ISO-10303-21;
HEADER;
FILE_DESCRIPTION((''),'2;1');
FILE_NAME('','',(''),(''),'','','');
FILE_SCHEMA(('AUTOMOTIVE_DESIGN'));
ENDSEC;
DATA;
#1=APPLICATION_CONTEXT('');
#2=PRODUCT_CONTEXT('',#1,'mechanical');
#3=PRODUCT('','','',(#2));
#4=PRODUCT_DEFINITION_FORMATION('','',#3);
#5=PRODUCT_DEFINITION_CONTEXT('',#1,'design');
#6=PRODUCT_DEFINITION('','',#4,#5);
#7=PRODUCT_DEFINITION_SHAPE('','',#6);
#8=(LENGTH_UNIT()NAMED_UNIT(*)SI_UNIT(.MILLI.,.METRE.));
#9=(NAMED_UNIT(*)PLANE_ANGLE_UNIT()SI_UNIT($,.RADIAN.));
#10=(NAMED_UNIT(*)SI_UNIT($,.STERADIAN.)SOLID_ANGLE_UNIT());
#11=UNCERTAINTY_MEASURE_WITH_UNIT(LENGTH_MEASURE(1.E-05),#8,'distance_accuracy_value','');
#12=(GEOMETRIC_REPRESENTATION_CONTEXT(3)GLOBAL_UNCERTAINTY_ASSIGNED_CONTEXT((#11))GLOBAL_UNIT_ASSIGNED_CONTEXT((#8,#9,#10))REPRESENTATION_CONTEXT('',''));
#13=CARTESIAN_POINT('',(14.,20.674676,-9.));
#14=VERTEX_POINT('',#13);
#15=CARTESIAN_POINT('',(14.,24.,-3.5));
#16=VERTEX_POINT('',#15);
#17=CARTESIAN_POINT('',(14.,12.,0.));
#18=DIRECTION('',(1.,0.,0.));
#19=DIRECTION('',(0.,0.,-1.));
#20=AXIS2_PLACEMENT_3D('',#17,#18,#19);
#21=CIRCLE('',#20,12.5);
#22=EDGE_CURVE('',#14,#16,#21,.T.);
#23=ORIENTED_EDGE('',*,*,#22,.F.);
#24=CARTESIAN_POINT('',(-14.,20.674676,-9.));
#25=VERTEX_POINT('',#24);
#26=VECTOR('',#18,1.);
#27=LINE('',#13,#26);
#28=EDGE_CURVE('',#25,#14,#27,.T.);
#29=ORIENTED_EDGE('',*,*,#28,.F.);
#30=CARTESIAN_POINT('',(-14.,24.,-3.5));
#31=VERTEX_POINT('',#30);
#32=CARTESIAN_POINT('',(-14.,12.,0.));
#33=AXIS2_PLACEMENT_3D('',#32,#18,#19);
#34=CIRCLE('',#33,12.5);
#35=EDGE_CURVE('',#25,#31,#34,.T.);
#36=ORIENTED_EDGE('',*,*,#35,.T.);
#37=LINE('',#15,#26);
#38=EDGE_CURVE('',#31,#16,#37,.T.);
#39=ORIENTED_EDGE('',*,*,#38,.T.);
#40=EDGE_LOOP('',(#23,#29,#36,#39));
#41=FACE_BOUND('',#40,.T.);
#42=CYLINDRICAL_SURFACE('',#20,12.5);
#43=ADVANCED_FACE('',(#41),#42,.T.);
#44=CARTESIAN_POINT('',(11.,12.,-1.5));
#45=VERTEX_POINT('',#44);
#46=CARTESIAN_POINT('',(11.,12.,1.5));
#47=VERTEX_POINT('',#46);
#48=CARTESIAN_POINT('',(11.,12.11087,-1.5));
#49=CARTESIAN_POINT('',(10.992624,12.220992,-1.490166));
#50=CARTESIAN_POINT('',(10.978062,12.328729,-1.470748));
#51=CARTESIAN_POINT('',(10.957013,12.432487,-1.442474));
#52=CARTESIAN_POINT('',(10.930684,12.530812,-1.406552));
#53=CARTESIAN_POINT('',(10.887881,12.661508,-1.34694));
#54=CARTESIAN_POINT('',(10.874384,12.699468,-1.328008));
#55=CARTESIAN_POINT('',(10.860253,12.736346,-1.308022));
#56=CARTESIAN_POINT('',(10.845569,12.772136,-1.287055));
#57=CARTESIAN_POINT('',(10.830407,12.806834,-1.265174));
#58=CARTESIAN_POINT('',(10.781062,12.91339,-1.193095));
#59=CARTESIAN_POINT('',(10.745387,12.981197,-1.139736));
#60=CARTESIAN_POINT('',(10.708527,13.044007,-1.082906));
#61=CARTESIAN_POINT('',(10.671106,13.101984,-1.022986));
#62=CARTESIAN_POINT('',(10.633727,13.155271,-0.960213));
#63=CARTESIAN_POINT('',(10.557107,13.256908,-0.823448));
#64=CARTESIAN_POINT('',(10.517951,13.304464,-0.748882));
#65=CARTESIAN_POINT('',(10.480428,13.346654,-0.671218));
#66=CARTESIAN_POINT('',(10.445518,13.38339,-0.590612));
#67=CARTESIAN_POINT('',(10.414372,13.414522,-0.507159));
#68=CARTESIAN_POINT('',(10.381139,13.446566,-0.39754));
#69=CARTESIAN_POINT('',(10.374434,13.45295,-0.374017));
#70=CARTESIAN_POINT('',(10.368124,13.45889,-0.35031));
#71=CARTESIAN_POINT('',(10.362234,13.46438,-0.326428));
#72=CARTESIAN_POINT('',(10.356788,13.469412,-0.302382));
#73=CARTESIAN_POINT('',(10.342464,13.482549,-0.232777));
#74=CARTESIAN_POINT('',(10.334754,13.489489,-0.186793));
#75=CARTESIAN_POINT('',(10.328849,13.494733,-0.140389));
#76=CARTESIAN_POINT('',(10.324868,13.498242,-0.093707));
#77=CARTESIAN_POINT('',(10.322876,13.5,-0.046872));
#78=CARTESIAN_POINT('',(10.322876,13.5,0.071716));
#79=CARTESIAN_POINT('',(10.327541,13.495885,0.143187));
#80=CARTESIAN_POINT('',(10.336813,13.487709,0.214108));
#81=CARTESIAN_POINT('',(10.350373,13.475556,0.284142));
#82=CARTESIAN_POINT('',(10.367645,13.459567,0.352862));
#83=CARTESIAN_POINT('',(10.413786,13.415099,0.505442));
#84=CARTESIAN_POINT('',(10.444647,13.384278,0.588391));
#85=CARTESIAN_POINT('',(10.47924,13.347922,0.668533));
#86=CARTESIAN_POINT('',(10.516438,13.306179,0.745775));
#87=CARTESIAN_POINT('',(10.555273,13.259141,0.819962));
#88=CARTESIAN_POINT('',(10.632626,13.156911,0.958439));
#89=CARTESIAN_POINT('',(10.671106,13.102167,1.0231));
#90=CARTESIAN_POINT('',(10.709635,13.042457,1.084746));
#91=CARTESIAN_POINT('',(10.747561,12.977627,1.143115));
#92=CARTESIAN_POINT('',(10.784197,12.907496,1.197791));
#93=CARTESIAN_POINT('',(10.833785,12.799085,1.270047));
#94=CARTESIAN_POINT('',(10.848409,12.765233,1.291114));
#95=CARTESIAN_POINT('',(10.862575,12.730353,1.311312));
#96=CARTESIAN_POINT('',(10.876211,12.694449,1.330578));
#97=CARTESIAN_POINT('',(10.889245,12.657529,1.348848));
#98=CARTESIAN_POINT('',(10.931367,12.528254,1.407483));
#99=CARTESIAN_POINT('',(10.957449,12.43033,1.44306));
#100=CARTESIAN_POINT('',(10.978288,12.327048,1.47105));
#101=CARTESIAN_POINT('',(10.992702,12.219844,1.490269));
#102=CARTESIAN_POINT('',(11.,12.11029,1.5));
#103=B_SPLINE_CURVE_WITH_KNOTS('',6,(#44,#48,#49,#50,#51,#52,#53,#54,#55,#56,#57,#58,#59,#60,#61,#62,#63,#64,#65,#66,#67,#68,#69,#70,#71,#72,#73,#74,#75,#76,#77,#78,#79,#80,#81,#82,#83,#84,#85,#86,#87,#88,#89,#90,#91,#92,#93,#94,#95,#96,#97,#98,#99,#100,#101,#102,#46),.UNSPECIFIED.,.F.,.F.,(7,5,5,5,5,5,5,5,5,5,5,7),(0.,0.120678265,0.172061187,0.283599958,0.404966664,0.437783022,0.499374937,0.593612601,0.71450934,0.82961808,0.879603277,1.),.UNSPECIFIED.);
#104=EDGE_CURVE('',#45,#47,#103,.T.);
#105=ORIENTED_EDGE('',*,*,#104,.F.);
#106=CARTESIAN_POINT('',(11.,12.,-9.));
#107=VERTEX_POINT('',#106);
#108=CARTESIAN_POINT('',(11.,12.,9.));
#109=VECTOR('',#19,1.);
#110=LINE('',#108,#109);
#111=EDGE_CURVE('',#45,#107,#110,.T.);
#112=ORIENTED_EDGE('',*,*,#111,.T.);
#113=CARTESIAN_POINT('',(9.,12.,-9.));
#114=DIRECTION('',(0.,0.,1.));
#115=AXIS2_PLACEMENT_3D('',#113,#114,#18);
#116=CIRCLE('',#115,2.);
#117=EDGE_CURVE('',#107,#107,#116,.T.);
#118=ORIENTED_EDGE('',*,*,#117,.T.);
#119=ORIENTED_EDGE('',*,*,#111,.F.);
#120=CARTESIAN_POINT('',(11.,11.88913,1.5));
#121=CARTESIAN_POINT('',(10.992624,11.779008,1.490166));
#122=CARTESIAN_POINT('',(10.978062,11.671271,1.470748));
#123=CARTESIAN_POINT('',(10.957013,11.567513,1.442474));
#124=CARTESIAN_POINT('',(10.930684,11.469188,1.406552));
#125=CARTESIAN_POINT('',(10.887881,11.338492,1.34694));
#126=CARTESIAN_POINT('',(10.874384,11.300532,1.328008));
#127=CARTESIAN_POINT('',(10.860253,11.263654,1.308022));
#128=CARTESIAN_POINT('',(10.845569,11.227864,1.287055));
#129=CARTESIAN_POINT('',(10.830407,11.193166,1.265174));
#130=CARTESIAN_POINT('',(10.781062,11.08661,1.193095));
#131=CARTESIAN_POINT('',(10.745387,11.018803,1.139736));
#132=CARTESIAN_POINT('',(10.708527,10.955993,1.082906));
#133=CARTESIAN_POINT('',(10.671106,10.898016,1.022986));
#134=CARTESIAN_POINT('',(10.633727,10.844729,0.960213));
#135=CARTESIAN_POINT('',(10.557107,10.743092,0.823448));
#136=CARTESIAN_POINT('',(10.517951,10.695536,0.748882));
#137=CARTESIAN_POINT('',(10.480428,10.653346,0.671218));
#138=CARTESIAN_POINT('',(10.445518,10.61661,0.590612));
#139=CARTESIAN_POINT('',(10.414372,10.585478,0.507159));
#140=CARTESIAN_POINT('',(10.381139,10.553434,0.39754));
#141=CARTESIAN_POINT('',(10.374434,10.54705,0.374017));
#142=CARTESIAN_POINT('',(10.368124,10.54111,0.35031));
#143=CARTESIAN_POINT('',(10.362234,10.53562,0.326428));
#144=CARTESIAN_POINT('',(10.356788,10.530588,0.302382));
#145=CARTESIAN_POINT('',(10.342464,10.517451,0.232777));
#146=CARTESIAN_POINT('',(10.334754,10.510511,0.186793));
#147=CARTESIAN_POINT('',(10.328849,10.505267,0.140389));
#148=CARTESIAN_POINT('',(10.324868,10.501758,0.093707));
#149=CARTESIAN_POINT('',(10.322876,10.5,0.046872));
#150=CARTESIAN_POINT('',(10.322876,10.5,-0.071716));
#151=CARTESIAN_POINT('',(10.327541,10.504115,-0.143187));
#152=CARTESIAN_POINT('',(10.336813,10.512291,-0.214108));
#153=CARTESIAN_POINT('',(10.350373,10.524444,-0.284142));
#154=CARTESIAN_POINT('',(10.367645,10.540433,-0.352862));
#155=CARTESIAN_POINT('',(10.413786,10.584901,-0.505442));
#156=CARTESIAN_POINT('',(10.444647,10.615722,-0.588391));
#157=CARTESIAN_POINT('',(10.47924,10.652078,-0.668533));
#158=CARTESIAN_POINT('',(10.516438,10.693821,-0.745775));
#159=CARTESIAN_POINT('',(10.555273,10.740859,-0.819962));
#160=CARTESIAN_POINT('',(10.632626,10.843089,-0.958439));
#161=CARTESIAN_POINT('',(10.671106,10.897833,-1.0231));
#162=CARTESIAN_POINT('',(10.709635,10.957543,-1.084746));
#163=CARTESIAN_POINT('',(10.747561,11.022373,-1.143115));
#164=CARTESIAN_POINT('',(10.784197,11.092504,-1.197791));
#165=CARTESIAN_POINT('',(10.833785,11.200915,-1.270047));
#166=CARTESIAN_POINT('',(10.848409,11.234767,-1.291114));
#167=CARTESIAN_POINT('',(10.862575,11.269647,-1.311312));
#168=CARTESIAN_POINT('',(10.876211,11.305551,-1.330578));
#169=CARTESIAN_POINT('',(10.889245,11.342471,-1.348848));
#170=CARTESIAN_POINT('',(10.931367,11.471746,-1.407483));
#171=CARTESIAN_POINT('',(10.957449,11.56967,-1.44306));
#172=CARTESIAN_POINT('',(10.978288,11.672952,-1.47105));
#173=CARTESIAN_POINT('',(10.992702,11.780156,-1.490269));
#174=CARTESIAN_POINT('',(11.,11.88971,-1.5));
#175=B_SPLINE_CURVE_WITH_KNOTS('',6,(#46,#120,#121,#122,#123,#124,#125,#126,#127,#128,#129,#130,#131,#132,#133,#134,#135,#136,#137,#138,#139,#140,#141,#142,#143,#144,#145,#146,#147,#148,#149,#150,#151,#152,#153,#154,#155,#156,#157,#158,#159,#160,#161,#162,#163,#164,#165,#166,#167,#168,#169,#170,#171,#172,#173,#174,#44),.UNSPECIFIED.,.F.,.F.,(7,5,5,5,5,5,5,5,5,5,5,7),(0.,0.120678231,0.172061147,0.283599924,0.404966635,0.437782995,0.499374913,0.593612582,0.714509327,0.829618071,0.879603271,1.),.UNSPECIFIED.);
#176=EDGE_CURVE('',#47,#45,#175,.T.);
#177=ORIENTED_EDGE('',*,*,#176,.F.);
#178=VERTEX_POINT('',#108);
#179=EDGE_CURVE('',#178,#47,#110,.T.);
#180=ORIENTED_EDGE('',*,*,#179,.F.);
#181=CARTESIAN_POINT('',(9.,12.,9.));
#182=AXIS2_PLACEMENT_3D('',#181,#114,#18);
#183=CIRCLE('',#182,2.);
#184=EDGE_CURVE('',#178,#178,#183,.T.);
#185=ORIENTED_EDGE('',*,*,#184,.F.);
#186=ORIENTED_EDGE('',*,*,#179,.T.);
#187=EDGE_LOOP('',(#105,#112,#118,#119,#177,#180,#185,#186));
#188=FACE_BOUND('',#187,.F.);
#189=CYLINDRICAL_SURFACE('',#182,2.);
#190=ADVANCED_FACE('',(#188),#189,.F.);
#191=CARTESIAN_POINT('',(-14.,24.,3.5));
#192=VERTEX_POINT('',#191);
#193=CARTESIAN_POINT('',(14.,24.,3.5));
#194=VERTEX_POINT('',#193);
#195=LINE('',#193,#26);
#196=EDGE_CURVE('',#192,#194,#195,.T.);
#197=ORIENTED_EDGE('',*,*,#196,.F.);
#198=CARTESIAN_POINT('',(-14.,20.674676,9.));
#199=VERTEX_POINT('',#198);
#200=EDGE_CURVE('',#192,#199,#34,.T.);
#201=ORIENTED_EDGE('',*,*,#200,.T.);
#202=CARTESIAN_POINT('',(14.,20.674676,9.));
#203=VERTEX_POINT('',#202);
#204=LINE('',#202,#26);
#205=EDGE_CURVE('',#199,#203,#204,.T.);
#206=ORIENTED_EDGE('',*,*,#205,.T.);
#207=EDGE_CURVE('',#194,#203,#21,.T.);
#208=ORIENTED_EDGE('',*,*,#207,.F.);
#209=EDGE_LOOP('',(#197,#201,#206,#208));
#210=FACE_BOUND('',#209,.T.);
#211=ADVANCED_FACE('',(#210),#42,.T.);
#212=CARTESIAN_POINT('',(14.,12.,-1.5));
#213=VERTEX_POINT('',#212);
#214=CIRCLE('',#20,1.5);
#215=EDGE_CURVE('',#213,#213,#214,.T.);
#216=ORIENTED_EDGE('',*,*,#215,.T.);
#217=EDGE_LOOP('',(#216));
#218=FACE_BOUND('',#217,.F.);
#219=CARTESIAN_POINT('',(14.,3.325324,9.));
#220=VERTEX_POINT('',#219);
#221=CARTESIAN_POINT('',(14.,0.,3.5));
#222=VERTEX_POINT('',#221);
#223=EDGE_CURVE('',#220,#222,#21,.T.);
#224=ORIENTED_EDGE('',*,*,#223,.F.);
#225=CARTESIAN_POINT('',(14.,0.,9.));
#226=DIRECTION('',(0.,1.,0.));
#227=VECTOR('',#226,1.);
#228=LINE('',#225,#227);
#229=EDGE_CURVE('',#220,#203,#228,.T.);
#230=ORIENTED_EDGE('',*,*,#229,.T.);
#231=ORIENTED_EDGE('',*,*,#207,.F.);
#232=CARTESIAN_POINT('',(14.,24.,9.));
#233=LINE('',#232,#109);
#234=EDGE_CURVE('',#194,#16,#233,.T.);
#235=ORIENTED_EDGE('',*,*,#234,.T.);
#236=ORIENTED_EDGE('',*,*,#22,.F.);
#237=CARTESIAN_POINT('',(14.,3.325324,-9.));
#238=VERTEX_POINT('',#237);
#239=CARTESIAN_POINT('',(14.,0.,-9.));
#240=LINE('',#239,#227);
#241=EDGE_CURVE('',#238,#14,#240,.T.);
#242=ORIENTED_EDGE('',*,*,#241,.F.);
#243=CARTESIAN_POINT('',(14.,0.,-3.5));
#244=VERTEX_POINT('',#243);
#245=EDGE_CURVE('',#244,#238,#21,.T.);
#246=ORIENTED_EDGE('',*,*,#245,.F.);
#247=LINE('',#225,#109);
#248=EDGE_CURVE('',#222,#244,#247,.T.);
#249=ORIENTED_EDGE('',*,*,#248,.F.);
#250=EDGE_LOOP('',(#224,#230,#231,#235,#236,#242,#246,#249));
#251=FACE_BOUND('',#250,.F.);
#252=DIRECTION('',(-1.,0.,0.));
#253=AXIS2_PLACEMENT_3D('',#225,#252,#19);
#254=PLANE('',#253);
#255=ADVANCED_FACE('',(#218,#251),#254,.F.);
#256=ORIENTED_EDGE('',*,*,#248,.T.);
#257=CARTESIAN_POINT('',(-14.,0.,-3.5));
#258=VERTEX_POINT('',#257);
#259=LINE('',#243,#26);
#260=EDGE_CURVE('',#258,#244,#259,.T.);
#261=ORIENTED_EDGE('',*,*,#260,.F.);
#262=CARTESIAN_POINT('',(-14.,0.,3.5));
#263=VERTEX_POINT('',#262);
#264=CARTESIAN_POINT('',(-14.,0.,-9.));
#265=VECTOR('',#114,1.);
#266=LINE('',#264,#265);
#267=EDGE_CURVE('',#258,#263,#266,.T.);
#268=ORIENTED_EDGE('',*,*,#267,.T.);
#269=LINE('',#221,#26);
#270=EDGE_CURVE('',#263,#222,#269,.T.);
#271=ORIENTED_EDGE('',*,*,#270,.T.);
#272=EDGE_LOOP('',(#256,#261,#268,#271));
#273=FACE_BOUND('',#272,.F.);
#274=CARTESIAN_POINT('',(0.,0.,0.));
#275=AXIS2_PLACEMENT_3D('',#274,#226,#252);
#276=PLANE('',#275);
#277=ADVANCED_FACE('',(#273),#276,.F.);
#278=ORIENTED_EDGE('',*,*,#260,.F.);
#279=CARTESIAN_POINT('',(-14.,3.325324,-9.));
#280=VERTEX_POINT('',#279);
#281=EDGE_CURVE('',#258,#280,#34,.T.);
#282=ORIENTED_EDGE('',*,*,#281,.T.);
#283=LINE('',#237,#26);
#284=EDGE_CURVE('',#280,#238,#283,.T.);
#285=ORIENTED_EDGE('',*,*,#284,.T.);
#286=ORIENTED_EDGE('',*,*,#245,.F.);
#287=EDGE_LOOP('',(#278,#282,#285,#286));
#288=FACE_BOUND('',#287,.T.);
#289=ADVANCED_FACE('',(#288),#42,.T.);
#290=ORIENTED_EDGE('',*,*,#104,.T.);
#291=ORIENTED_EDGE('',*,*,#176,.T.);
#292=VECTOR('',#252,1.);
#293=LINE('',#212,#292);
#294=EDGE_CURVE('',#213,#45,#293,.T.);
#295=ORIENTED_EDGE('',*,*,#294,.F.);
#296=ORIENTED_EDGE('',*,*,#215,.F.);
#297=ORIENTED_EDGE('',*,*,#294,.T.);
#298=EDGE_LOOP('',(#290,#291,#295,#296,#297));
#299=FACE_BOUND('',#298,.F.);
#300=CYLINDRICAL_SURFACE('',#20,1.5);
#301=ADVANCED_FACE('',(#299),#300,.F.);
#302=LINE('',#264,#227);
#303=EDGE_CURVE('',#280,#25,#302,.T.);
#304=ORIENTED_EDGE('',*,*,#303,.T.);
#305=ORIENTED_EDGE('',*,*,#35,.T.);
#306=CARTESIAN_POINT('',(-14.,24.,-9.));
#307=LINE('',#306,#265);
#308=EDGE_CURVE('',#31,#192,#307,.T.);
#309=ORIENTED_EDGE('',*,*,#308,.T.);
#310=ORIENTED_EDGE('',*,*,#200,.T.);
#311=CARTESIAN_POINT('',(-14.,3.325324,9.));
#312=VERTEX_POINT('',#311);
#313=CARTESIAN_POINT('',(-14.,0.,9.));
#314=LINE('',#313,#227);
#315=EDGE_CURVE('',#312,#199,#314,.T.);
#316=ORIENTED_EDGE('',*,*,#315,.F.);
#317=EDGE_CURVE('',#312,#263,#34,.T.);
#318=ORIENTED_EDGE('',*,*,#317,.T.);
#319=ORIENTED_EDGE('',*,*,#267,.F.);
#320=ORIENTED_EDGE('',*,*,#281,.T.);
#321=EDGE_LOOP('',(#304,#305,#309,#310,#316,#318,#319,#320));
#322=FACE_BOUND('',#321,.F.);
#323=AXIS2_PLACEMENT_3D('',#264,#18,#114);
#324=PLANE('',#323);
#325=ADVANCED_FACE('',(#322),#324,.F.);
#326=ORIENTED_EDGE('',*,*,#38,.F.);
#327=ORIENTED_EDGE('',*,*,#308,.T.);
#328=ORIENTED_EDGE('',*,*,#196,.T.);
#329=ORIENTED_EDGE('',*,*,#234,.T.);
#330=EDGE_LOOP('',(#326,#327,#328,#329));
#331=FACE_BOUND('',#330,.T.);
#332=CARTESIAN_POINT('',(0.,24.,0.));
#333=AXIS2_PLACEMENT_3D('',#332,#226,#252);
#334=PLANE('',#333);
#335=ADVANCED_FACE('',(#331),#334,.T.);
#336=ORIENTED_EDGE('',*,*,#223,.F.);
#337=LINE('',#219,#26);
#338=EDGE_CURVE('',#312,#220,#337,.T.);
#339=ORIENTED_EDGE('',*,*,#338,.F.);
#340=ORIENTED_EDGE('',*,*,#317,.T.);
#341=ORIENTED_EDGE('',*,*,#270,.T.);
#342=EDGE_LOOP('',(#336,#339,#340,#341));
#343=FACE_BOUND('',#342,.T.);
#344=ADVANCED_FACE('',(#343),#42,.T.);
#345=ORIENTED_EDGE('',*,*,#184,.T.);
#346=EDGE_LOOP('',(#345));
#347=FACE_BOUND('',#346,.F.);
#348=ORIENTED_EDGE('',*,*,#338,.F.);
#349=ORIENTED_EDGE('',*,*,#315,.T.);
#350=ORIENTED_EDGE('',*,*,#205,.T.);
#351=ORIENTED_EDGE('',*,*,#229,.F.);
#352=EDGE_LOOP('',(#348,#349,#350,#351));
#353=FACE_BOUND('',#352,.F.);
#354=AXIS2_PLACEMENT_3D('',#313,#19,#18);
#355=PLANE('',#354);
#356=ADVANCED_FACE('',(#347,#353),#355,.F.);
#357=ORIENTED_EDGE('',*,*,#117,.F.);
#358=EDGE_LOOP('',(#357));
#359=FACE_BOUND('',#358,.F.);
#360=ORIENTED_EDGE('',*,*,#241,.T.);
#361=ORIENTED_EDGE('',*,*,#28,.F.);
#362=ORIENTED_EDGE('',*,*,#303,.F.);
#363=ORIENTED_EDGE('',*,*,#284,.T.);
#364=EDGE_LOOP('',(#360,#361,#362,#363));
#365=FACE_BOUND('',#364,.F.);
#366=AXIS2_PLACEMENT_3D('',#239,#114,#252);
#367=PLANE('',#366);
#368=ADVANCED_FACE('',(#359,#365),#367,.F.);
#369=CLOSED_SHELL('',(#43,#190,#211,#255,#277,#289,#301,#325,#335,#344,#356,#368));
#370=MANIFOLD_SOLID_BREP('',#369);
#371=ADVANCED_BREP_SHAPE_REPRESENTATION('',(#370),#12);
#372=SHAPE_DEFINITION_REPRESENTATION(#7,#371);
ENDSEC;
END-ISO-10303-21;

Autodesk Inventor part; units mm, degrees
ref_plane "YZ Plane" through (0, 0, 0) normal (1, 0, 0) x (0, 1, 0)
ref_plane "XZ Plane" through (0, 0, 0) normal (0, 1, 0) x (-1, 0, 0)
ref_plane "XY Plane" through (0, 0, 0) normal (0, 0, 1) x (1, 0, 0)
sketch "Sketch1" plane through (0, 0, 0) normal (0, 1, 0) x (-1, 0, 0)
  line L0 (14, 9) -> (-14, 9)
  line L1 (-14, 9) -> (-14, -9)
  line L2 (-14, -9) -> (14, -9)
  line L3 (14, -9) -> (14, 9)
  line L4 (0, 0) -> (0, -9) construction
  line L5 (0, 0) -> (-14, 0) construction
  dimension "d0" = 18
  dimension "d1" = 28
extrude "Extrusion1" add sketch "Sketch1" along normal blind 24
sketch "Sketch4" plane through (-14, 0, 9) normal (0, 0, 1) x (1, 0, 0)
  line L0 (0, 0) -> (0, 24) construction
  line L1 (0, 12) -> (31.0841, 12) construction
  circle A0 centre (23, 12) radius 2
  line L2 (28, 0) -> (28, 24) projected
  point P0 (14, 0)
  dimension "d4" = 4
  dimension "d5" = 5
extrude "Extrusion2" cut sketch "Sketch4" against normal up to next
sketch "Sketch5" plane through (14, 0, 9) normal (1, 0, 0) x (0, 0, -1)
  circle A0 centre (9, 12) radius 1.5
  line L0 (0, 0) -> (0, 24) construction
  line L1 (0, 12) -> (9.7328, 12) construction
  line L2 (9, 0) -> (9, 12) construction
  circle A1 centre (9, 12) radius 12.5
  circle A2 centre (9, 12) radius 15
  dimension "d8" = 3
  dimension "d9" = 25
  dimension "d10" = 30
extrude "Extrusion3" cut sketch "Sketch5" against normal up to next
sketch "Sketch6" plane through (0, 24, 0) normal (0, 1, 0) x (1, 0, 0)
  line L0 (0, 0) -> (30, 0) construction
  dimension "d13" = 30
properties part number "motor_quick"
